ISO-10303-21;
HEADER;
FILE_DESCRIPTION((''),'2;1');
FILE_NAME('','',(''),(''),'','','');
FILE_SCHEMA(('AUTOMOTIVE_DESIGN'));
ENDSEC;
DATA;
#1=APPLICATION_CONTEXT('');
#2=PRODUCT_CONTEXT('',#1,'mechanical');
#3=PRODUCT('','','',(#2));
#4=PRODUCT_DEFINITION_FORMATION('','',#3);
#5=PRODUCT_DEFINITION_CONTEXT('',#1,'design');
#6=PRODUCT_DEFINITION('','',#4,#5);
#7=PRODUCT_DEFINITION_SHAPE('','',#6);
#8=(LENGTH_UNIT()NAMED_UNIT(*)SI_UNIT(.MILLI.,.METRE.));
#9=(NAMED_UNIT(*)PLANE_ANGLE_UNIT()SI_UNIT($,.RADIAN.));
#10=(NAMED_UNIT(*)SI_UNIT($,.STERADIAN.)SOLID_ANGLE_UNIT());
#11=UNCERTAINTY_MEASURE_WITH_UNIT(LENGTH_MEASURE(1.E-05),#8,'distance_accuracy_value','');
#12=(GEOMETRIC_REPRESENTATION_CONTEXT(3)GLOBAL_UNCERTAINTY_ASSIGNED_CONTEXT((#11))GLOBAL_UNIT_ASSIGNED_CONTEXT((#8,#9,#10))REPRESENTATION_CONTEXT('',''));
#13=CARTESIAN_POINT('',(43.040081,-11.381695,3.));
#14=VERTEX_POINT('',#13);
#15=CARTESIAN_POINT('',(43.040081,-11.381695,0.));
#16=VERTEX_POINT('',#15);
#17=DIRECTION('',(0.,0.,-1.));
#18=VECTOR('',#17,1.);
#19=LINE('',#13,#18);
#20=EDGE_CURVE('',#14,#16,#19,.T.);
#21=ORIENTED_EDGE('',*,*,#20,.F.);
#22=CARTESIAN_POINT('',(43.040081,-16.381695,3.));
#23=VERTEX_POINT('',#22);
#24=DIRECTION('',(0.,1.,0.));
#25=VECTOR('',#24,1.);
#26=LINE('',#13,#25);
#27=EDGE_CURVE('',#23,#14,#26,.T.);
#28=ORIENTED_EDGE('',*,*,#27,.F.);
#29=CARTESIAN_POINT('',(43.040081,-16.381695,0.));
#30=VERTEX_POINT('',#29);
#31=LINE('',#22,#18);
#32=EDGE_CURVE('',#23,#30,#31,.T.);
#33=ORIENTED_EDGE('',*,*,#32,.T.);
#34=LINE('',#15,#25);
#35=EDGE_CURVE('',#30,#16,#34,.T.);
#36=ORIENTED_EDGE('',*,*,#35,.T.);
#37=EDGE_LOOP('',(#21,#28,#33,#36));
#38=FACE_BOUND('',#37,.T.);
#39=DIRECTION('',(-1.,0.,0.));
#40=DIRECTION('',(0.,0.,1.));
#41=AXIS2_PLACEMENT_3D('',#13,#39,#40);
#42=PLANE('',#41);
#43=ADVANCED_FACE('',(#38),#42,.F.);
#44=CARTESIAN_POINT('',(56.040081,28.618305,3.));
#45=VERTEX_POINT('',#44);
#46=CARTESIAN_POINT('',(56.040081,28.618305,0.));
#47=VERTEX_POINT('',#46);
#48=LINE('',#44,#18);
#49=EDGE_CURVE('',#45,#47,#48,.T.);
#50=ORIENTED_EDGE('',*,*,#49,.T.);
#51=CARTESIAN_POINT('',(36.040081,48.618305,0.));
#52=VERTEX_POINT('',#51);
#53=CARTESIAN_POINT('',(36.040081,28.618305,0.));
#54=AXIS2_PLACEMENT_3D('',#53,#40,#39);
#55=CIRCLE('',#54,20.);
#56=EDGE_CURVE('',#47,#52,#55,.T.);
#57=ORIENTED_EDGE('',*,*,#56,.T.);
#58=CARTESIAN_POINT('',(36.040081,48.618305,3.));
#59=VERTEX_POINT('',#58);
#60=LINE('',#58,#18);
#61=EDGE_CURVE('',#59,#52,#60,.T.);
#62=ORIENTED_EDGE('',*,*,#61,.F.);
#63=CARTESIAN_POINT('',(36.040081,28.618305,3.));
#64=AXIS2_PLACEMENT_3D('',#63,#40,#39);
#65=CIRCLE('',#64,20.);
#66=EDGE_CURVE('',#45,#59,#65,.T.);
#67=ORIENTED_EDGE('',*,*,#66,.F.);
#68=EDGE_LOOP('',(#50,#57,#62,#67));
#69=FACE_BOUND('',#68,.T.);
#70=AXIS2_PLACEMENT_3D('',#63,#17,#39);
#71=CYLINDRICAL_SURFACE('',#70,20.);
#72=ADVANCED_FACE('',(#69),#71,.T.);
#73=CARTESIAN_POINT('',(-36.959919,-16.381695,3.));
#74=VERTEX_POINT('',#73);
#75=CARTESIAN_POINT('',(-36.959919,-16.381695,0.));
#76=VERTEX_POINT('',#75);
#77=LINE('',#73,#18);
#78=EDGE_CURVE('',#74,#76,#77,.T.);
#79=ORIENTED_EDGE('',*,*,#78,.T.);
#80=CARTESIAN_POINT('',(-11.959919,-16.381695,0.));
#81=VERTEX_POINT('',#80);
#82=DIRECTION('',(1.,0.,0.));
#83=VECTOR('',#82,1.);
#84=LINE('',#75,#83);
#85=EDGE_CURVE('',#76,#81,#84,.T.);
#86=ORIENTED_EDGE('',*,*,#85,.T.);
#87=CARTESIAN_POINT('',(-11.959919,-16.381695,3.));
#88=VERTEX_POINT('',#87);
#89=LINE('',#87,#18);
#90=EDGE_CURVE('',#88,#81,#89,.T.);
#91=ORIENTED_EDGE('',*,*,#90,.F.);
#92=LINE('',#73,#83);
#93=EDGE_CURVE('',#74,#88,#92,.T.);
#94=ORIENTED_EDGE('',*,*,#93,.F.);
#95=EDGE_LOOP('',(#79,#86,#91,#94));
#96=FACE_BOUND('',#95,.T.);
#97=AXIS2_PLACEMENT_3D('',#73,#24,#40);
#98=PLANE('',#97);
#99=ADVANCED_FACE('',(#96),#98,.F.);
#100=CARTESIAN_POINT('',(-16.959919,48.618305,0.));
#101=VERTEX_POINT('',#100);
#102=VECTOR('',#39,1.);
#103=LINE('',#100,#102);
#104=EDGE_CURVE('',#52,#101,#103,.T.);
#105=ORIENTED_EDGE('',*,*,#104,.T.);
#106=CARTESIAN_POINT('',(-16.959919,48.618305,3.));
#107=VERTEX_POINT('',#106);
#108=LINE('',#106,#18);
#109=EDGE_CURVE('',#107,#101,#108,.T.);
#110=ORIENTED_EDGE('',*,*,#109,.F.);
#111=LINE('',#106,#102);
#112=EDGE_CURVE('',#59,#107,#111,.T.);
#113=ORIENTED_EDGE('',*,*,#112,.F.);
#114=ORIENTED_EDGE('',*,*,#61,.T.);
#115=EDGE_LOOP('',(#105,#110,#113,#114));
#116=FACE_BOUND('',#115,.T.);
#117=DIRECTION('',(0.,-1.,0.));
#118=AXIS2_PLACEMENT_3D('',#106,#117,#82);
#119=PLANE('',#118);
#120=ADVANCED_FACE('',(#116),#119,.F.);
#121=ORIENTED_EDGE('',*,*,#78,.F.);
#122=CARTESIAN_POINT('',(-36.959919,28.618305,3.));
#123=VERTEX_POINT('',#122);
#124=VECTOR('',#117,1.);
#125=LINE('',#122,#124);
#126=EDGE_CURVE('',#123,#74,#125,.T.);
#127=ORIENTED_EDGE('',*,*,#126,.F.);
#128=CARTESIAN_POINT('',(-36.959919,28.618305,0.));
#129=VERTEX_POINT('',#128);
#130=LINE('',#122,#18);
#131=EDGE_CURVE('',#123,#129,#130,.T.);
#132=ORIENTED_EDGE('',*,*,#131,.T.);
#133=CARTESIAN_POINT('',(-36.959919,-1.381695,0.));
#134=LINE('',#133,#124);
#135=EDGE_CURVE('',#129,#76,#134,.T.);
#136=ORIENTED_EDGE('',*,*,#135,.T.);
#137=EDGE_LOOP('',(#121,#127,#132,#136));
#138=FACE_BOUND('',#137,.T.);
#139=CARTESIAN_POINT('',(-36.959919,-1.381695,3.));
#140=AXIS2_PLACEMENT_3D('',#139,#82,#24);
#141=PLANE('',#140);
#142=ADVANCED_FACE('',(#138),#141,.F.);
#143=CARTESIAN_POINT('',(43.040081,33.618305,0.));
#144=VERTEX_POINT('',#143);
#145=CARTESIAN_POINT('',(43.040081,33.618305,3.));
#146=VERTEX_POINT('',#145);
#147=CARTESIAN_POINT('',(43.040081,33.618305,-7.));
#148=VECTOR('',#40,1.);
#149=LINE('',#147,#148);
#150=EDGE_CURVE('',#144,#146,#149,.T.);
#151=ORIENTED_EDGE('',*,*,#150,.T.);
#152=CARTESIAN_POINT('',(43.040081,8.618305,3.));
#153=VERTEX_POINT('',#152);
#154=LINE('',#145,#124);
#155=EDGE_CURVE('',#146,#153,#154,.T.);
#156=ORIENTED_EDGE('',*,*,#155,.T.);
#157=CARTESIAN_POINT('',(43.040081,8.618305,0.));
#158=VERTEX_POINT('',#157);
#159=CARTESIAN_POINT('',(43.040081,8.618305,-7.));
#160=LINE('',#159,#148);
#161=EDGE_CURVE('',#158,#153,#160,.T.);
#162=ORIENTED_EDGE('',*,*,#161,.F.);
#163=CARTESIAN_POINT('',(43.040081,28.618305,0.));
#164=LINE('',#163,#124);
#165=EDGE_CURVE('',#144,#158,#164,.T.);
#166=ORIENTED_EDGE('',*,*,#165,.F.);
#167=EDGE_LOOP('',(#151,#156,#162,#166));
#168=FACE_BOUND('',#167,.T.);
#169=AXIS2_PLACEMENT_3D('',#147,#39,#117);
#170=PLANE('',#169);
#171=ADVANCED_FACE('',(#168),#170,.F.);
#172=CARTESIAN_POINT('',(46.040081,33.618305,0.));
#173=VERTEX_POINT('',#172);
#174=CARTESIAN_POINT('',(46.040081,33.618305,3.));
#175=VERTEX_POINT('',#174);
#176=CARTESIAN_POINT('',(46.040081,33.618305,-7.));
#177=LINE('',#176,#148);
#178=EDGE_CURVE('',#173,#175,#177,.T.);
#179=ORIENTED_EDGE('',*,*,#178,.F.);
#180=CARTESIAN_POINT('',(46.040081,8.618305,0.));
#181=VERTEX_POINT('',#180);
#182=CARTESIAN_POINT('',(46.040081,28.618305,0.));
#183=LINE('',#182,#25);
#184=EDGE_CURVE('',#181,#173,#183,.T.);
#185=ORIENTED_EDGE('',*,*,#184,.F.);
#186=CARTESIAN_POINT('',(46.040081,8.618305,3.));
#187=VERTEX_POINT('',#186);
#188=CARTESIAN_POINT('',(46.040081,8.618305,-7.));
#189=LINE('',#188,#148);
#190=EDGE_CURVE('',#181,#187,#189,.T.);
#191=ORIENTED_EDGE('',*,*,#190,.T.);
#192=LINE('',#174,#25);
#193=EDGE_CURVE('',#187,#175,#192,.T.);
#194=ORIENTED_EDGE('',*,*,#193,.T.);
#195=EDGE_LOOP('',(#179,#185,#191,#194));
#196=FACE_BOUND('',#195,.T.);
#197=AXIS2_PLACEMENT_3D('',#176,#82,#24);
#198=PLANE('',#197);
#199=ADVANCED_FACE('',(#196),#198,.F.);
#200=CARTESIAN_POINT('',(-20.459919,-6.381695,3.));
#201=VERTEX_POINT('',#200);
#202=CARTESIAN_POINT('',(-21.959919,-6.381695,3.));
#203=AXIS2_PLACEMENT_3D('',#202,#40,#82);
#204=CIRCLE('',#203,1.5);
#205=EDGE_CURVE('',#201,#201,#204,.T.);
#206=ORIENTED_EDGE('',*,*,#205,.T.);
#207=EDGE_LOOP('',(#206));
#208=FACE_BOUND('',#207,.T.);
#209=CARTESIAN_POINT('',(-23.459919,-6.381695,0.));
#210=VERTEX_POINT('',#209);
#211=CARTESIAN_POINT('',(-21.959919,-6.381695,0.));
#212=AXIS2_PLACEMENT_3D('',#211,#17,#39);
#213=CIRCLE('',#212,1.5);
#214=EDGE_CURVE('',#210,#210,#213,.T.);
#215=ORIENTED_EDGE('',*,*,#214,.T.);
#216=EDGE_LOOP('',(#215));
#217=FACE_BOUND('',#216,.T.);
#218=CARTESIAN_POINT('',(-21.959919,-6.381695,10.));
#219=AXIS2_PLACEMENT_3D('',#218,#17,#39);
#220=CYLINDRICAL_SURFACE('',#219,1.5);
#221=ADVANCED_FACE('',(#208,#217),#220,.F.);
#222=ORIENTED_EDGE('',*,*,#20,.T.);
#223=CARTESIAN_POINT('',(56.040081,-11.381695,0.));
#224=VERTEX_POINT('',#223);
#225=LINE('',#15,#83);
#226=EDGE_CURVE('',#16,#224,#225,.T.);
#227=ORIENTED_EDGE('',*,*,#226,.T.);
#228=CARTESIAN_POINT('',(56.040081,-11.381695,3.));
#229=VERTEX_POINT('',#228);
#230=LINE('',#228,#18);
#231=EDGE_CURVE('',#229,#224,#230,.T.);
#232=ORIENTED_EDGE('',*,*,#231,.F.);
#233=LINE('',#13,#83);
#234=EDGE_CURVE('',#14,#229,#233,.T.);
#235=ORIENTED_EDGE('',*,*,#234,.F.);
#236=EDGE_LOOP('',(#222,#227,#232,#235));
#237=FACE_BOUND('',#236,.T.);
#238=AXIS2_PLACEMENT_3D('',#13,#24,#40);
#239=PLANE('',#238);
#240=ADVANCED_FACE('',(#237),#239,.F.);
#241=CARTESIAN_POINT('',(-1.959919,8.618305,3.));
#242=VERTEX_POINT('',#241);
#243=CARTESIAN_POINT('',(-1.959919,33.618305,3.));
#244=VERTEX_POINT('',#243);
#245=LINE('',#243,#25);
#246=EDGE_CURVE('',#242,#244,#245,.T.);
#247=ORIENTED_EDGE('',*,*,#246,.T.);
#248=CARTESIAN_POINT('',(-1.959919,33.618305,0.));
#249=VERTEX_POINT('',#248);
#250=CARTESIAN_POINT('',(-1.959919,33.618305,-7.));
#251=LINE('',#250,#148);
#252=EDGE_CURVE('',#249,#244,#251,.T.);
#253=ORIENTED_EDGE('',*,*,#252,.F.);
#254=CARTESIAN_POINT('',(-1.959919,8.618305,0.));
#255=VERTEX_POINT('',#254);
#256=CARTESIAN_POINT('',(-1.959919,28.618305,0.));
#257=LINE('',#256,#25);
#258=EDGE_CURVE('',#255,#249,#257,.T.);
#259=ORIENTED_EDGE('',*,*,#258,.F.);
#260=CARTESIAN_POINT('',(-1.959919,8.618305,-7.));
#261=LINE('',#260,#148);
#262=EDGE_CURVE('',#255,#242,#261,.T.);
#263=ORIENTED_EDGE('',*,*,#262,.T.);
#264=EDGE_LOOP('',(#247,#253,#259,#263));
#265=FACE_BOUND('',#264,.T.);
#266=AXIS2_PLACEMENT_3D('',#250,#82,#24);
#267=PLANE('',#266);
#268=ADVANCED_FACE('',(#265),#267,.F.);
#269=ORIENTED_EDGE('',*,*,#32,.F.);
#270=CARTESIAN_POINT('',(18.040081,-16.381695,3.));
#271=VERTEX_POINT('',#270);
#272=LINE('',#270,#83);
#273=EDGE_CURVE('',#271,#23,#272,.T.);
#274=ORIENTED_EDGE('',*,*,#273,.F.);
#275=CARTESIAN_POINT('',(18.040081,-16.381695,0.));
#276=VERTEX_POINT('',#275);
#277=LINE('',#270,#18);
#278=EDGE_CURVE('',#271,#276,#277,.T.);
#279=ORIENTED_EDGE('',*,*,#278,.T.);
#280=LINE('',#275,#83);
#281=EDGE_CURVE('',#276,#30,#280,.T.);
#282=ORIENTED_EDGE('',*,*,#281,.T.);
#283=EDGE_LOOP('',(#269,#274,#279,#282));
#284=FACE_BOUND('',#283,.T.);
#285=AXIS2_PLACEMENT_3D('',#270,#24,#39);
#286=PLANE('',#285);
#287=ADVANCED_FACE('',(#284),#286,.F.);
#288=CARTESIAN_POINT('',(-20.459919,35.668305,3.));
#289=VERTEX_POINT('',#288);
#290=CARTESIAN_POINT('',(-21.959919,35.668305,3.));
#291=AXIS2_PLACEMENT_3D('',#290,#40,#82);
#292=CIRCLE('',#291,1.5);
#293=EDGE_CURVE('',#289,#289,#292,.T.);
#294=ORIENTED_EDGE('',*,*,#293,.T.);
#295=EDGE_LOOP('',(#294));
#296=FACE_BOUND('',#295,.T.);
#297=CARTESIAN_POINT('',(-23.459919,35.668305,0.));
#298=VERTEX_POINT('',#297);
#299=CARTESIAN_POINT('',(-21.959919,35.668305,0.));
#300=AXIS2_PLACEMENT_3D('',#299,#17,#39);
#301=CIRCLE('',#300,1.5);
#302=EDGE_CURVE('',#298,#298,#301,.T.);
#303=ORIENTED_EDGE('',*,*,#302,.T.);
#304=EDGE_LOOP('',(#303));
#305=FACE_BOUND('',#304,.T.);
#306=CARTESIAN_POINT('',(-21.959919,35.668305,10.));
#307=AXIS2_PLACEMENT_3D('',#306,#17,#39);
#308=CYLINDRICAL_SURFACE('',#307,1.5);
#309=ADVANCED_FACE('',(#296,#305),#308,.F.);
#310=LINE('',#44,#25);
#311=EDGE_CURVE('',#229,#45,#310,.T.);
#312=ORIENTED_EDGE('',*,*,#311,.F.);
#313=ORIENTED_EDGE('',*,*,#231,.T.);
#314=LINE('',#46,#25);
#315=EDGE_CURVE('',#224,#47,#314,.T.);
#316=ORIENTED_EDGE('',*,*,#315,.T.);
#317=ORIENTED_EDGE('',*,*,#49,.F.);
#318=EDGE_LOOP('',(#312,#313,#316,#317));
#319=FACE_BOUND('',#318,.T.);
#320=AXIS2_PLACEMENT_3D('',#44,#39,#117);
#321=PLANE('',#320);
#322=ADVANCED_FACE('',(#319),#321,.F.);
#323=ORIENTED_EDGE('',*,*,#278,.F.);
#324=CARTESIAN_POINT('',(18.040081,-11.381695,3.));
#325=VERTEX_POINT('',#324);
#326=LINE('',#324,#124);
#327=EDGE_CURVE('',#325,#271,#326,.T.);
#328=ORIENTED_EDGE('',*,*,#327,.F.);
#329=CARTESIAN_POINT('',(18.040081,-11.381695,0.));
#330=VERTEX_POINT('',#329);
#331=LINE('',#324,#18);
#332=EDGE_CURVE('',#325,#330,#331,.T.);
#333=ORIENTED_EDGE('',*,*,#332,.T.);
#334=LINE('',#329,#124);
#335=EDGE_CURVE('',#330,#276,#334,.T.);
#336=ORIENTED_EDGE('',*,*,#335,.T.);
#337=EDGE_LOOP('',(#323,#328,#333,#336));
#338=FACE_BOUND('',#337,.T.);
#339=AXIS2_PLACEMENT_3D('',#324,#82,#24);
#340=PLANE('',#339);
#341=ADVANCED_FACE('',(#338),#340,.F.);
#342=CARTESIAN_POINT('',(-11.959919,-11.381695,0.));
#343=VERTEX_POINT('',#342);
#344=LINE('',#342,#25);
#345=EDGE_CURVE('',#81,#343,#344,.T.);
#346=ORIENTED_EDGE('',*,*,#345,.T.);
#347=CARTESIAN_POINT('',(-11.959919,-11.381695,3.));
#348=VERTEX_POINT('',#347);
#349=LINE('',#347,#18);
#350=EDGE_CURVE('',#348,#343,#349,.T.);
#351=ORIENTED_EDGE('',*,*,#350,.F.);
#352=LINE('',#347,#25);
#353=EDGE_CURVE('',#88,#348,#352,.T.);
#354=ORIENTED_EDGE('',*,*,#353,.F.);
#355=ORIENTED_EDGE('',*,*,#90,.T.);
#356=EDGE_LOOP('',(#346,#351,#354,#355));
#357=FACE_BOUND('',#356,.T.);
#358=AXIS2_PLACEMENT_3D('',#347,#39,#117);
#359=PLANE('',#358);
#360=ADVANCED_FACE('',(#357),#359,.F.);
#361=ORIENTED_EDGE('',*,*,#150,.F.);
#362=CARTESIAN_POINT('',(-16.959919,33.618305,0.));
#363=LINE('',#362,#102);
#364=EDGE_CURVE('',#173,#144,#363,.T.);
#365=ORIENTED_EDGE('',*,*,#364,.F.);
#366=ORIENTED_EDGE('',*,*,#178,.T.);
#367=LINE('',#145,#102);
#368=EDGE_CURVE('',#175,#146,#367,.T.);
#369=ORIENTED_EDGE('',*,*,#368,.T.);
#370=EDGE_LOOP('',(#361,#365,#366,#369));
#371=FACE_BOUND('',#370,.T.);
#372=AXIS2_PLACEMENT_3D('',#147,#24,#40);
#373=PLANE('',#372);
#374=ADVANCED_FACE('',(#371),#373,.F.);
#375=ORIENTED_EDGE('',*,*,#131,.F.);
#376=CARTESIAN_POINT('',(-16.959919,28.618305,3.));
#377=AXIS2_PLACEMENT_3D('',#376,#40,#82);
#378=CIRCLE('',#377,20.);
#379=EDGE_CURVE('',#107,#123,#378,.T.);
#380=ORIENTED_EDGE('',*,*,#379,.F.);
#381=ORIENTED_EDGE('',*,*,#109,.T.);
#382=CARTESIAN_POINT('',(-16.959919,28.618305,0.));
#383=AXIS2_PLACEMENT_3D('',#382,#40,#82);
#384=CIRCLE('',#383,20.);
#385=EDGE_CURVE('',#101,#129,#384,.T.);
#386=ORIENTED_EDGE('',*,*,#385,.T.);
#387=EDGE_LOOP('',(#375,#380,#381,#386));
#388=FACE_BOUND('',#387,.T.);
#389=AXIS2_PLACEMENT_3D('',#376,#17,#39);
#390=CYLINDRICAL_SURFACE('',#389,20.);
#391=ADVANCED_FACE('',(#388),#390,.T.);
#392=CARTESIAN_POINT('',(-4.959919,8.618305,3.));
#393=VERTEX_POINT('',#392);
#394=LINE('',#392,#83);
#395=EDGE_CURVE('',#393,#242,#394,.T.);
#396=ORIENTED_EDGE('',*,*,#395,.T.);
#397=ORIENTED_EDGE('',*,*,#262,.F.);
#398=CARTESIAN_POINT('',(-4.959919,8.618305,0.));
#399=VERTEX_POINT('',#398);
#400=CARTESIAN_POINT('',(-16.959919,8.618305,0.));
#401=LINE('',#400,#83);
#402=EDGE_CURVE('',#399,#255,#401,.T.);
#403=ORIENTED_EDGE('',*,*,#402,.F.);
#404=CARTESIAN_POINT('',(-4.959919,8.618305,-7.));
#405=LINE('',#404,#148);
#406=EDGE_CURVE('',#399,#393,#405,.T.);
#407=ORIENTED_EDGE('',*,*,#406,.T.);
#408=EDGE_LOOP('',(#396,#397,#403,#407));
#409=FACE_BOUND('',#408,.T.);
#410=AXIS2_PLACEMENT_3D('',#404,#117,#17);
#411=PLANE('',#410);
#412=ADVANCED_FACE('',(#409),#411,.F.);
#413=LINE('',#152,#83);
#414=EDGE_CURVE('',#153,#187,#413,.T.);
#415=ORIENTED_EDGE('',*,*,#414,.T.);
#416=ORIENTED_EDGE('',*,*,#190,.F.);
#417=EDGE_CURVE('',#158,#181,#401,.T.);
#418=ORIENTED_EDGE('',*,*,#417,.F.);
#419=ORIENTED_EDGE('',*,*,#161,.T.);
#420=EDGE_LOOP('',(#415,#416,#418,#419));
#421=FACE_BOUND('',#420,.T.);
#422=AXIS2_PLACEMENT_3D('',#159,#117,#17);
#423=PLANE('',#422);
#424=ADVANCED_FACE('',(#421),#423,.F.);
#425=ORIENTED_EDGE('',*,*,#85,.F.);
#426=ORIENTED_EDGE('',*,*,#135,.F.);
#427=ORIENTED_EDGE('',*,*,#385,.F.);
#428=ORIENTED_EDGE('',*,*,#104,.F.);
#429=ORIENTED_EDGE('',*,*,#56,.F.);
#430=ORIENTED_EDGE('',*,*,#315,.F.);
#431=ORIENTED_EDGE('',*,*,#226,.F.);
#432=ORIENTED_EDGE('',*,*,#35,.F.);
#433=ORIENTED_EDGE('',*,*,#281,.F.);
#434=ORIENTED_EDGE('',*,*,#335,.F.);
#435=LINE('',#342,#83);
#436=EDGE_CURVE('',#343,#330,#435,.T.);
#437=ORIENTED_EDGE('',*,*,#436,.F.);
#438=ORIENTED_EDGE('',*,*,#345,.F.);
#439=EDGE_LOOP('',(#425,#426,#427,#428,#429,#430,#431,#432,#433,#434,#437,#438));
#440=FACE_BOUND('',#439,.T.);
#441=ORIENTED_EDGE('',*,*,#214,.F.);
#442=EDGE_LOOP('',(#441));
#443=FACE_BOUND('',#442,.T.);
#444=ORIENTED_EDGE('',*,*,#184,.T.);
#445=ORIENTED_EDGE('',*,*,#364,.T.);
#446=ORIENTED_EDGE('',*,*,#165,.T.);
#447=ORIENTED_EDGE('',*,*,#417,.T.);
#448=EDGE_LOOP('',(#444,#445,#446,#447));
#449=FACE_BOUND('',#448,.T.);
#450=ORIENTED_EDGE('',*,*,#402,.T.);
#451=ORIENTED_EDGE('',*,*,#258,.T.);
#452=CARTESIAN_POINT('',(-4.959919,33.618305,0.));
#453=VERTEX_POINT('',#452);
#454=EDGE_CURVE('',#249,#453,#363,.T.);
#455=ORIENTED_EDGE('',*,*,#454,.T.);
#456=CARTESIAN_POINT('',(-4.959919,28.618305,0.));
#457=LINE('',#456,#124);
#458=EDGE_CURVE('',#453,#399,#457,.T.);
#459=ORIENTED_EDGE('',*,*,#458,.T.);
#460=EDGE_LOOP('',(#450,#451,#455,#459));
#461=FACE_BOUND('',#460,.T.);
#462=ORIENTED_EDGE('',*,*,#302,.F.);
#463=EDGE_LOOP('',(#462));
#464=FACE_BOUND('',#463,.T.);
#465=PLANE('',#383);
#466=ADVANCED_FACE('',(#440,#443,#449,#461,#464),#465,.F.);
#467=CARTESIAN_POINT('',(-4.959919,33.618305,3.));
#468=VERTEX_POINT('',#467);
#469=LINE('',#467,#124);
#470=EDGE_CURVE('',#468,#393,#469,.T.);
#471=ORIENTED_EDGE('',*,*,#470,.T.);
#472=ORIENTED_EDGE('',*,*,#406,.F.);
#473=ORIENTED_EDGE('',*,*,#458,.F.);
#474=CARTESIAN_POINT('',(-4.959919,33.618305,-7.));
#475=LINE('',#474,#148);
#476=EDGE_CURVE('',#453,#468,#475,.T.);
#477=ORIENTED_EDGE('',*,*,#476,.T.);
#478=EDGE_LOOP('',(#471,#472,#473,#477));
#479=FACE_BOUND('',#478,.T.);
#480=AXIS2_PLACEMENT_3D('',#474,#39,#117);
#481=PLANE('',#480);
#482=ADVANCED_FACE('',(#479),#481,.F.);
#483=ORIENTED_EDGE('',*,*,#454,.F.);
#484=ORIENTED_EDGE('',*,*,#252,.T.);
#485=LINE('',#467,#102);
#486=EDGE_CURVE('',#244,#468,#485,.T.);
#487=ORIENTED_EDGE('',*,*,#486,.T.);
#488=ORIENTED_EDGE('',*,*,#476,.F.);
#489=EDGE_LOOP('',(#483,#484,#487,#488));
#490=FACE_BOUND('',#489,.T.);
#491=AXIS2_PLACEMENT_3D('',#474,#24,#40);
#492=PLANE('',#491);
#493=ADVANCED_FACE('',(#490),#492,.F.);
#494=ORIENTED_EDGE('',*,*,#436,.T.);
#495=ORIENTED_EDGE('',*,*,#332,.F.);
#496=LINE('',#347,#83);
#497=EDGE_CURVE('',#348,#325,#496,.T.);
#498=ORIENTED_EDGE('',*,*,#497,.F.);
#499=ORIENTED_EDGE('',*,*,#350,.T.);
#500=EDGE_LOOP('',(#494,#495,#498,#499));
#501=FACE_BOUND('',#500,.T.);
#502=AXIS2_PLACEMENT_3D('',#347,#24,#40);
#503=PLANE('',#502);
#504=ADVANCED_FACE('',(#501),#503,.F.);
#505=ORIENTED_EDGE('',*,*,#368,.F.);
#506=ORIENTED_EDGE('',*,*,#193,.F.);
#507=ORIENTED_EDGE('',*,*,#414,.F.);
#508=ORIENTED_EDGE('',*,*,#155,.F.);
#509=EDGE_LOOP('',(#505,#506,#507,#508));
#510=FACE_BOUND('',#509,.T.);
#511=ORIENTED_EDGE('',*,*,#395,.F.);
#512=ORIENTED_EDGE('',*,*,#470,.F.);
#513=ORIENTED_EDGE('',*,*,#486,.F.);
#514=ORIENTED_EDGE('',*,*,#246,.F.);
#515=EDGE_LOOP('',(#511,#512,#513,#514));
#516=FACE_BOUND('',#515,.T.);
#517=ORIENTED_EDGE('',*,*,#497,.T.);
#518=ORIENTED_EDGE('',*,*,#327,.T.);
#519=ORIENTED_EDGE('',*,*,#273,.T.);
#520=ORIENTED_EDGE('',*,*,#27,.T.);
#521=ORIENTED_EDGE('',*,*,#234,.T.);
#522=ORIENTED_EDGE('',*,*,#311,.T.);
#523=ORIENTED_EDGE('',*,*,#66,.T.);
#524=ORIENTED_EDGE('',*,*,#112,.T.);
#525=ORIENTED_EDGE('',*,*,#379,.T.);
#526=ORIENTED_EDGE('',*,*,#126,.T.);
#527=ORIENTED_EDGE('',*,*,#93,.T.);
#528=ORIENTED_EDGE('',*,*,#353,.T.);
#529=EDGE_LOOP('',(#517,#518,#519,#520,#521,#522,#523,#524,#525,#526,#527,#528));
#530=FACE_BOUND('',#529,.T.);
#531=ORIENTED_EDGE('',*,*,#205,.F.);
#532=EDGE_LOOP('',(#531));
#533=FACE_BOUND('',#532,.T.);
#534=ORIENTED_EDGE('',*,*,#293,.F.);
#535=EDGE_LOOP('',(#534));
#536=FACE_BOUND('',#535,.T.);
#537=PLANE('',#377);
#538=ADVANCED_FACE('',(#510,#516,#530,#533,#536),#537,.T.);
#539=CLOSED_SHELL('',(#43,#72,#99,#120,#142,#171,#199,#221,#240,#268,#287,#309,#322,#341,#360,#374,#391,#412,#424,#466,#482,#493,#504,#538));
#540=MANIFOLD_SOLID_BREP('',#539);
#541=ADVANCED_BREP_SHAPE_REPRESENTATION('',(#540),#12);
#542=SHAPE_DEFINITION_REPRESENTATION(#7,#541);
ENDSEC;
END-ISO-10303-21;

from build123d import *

# Parameters (mm, degrees)
RESSALTO_EXTRUS_O1_DEPTH = 3
ESBO_O2_R                = 1.5
CORTE_EXTRUS_O1_DEPTH    = 10
ESBO_O3_W                = 3
ESBO_O3_H                = 25
CORTE_EXTRUS_O2_DEPTH    = 10


with BuildPart() as part:
    # Esboço1 → Ressalto-extrusão1 (new body)
    with BuildSketch(Plane.XY):
        with BuildLine():
            Line((43.040081042, -11.381695114), (56.040081042, -11.381695114))
            Line((56.040081042, -11.381695114), (56.040081042, 28.618304886))
            ThreePointArc((56.040081042, 28.618304886), (50.182216666, 42.76044051), (36.040081042, 48.618304886))
            Line((36.040081042, 48.618304886), (-16.959918958, 48.618304886))
            ThreePointArc((-16.959918958, 48.618304886), (-31.102054581, 42.76044051), (-36.959918958, 28.618304886))
            Line((-36.959918958, 28.618304886), (-36.959918958, -1.381695114))
            Line((-36.959918958, -1.381695114), (-36.959918958, -16.381695114))
            Line((-36.959918958, -16.381695114), (-11.959918958, -16.381695114))
            Line((-11.959918958, -16.381695114), (-11.959918958, -11.381695114))
            Line((-11.959918958, -11.381695114), (18.040081042, -11.381695114))
            Line((18.040081042, -11.381695114), (18.040081042, -16.381695114))
            Line((18.040081042, -16.381695114), (43.040081042, -16.381695114))
            Line((43.040081042, -16.381695114), (43.040081042, -11.381695114))
        make_face()
    extrude(amount=RESSALTO_EXTRUS_O1_DEPTH)

    # Esboço2 → Corte-extrusão1 (cut)
    with BuildSketch(Plane(origin=(0, 0, 0), x_dir=(-1, 0, 0), z_dir=(0, 0, -1))):
        with Locations((21.959918958, 35.668304886)):
            Circle(ESBO_O2_R)
        with Locations((21.959918958, -6.381695114)):
            Circle(ESBO_O2_R)
    extrude(amount=-CORTE_EXTRUS_O1_DEPTH, mode=Mode.SUBTRACT)

    # Esboço3 → Corte-extrusão2 (cut)
    with BuildSketch(Plane.XY.offset(3)):
        with Locations((-3.459918958, 21.118304886)):
            Rectangle(ESBO_O3_W, ESBO_O3_H)
        with Locations((44.540081042, 21.118304886)):
            Rectangle(ESBO_O3_W, ESBO_O3_H)
    extrude(amount=-CORTE_EXTRUS_O2_DEPTH, mode=Mode.SUBTRACT)


solid = part.part
